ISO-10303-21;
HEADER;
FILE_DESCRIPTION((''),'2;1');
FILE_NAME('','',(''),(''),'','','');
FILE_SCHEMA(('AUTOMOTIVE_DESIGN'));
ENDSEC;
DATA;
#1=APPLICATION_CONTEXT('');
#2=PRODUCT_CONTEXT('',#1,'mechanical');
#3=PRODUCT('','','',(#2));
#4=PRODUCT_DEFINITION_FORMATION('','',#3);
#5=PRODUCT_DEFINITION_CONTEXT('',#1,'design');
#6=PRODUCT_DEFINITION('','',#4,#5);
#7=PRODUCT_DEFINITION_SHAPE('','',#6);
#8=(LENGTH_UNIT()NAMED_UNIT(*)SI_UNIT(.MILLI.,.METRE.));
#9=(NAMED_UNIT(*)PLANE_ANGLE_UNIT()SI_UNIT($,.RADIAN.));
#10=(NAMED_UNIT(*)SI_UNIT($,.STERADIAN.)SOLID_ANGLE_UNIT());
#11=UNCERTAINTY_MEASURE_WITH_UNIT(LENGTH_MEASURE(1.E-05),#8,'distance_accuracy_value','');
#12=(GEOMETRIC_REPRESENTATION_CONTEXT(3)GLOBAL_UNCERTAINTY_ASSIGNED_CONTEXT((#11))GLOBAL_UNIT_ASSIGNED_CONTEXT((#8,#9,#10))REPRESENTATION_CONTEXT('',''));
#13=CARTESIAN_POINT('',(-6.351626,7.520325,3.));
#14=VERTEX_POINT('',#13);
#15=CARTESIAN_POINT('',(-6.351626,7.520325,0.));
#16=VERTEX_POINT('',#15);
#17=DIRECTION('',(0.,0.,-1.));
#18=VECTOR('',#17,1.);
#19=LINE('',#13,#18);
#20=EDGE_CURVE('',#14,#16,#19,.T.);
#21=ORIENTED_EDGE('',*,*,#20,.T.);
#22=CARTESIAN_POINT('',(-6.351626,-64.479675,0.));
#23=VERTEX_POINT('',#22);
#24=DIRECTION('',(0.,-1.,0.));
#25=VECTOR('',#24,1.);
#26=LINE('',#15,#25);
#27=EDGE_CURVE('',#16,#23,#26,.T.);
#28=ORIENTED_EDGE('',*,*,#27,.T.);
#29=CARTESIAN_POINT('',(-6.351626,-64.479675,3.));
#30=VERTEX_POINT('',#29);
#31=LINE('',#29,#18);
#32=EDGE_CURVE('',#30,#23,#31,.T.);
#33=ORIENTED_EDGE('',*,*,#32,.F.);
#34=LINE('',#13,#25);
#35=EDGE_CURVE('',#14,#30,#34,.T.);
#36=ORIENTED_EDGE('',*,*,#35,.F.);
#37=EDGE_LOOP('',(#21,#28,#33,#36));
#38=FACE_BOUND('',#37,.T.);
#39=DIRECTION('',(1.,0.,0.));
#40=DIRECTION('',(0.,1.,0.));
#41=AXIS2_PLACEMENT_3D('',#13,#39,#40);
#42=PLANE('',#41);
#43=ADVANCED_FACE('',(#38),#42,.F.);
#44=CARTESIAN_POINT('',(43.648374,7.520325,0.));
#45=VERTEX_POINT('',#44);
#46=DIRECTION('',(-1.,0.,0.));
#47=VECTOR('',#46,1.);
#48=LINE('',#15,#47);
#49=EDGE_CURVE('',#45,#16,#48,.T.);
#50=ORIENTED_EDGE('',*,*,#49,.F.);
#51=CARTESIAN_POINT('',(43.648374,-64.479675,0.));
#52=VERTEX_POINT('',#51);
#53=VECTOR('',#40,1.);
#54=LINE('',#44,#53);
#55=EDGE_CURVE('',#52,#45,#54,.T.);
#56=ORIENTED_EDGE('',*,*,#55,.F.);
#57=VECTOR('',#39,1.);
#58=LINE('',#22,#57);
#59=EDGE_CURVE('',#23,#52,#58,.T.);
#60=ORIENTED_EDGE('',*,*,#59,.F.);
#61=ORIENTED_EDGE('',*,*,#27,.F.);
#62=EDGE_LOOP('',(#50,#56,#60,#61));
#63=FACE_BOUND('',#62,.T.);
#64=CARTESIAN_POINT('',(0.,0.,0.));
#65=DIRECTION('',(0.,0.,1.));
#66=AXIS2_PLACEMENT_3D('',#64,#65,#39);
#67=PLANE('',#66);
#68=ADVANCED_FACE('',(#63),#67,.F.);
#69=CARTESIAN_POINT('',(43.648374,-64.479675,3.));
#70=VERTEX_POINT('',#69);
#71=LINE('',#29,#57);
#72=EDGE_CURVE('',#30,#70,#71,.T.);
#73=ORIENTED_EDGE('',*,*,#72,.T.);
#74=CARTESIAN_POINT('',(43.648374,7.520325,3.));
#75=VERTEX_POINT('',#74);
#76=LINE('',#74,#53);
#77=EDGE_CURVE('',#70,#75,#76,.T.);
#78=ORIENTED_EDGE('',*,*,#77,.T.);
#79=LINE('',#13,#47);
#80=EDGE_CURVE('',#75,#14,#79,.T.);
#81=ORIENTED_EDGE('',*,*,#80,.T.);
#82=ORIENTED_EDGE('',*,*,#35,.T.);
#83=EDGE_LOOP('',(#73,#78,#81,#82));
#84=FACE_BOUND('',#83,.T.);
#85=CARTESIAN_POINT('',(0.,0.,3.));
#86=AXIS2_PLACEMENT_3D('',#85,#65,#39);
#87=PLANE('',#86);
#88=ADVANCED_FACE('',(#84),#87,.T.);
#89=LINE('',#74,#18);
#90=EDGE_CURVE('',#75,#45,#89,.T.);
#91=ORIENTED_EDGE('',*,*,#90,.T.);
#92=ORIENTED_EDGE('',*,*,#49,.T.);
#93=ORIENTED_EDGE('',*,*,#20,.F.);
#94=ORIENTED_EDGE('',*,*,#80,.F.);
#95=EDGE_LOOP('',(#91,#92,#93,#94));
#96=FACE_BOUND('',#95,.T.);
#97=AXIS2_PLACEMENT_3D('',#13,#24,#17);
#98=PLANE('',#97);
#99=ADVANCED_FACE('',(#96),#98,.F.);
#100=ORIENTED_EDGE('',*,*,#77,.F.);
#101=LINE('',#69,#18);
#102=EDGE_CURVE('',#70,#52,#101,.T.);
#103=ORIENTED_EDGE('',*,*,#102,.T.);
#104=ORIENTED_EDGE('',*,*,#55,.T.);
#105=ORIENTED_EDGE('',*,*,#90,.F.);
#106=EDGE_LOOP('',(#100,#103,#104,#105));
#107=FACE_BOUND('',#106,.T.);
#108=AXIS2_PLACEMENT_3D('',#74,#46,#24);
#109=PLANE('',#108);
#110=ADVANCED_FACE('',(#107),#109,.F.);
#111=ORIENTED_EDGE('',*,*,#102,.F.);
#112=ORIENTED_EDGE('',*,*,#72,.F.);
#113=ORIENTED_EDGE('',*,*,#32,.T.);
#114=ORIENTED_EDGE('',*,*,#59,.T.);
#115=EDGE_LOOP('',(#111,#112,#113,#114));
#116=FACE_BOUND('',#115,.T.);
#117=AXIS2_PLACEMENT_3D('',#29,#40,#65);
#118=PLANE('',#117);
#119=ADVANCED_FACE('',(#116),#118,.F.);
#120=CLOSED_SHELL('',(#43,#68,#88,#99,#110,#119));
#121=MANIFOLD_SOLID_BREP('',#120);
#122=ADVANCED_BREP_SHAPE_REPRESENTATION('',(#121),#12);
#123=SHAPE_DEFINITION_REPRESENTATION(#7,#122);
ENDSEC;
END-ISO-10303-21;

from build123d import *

# Parameters (mm, degrees)
SKETCH_1_W      = 50
SKETCH_1_H      = 72
EXTRUDE_1_DEPTH = 3


with BuildPart() as part:
    # 草图1 → 凸台-拉伸1 (new body)
    with BuildSketch(Plane.XY):
        with Locations((18.648373984, -28.479674797)):
            Rectangle(SKETCH_1_W, SKETCH_1_H)
    extrude(amount=EXTRUDE_1_DEPTH)


solid = part.part
